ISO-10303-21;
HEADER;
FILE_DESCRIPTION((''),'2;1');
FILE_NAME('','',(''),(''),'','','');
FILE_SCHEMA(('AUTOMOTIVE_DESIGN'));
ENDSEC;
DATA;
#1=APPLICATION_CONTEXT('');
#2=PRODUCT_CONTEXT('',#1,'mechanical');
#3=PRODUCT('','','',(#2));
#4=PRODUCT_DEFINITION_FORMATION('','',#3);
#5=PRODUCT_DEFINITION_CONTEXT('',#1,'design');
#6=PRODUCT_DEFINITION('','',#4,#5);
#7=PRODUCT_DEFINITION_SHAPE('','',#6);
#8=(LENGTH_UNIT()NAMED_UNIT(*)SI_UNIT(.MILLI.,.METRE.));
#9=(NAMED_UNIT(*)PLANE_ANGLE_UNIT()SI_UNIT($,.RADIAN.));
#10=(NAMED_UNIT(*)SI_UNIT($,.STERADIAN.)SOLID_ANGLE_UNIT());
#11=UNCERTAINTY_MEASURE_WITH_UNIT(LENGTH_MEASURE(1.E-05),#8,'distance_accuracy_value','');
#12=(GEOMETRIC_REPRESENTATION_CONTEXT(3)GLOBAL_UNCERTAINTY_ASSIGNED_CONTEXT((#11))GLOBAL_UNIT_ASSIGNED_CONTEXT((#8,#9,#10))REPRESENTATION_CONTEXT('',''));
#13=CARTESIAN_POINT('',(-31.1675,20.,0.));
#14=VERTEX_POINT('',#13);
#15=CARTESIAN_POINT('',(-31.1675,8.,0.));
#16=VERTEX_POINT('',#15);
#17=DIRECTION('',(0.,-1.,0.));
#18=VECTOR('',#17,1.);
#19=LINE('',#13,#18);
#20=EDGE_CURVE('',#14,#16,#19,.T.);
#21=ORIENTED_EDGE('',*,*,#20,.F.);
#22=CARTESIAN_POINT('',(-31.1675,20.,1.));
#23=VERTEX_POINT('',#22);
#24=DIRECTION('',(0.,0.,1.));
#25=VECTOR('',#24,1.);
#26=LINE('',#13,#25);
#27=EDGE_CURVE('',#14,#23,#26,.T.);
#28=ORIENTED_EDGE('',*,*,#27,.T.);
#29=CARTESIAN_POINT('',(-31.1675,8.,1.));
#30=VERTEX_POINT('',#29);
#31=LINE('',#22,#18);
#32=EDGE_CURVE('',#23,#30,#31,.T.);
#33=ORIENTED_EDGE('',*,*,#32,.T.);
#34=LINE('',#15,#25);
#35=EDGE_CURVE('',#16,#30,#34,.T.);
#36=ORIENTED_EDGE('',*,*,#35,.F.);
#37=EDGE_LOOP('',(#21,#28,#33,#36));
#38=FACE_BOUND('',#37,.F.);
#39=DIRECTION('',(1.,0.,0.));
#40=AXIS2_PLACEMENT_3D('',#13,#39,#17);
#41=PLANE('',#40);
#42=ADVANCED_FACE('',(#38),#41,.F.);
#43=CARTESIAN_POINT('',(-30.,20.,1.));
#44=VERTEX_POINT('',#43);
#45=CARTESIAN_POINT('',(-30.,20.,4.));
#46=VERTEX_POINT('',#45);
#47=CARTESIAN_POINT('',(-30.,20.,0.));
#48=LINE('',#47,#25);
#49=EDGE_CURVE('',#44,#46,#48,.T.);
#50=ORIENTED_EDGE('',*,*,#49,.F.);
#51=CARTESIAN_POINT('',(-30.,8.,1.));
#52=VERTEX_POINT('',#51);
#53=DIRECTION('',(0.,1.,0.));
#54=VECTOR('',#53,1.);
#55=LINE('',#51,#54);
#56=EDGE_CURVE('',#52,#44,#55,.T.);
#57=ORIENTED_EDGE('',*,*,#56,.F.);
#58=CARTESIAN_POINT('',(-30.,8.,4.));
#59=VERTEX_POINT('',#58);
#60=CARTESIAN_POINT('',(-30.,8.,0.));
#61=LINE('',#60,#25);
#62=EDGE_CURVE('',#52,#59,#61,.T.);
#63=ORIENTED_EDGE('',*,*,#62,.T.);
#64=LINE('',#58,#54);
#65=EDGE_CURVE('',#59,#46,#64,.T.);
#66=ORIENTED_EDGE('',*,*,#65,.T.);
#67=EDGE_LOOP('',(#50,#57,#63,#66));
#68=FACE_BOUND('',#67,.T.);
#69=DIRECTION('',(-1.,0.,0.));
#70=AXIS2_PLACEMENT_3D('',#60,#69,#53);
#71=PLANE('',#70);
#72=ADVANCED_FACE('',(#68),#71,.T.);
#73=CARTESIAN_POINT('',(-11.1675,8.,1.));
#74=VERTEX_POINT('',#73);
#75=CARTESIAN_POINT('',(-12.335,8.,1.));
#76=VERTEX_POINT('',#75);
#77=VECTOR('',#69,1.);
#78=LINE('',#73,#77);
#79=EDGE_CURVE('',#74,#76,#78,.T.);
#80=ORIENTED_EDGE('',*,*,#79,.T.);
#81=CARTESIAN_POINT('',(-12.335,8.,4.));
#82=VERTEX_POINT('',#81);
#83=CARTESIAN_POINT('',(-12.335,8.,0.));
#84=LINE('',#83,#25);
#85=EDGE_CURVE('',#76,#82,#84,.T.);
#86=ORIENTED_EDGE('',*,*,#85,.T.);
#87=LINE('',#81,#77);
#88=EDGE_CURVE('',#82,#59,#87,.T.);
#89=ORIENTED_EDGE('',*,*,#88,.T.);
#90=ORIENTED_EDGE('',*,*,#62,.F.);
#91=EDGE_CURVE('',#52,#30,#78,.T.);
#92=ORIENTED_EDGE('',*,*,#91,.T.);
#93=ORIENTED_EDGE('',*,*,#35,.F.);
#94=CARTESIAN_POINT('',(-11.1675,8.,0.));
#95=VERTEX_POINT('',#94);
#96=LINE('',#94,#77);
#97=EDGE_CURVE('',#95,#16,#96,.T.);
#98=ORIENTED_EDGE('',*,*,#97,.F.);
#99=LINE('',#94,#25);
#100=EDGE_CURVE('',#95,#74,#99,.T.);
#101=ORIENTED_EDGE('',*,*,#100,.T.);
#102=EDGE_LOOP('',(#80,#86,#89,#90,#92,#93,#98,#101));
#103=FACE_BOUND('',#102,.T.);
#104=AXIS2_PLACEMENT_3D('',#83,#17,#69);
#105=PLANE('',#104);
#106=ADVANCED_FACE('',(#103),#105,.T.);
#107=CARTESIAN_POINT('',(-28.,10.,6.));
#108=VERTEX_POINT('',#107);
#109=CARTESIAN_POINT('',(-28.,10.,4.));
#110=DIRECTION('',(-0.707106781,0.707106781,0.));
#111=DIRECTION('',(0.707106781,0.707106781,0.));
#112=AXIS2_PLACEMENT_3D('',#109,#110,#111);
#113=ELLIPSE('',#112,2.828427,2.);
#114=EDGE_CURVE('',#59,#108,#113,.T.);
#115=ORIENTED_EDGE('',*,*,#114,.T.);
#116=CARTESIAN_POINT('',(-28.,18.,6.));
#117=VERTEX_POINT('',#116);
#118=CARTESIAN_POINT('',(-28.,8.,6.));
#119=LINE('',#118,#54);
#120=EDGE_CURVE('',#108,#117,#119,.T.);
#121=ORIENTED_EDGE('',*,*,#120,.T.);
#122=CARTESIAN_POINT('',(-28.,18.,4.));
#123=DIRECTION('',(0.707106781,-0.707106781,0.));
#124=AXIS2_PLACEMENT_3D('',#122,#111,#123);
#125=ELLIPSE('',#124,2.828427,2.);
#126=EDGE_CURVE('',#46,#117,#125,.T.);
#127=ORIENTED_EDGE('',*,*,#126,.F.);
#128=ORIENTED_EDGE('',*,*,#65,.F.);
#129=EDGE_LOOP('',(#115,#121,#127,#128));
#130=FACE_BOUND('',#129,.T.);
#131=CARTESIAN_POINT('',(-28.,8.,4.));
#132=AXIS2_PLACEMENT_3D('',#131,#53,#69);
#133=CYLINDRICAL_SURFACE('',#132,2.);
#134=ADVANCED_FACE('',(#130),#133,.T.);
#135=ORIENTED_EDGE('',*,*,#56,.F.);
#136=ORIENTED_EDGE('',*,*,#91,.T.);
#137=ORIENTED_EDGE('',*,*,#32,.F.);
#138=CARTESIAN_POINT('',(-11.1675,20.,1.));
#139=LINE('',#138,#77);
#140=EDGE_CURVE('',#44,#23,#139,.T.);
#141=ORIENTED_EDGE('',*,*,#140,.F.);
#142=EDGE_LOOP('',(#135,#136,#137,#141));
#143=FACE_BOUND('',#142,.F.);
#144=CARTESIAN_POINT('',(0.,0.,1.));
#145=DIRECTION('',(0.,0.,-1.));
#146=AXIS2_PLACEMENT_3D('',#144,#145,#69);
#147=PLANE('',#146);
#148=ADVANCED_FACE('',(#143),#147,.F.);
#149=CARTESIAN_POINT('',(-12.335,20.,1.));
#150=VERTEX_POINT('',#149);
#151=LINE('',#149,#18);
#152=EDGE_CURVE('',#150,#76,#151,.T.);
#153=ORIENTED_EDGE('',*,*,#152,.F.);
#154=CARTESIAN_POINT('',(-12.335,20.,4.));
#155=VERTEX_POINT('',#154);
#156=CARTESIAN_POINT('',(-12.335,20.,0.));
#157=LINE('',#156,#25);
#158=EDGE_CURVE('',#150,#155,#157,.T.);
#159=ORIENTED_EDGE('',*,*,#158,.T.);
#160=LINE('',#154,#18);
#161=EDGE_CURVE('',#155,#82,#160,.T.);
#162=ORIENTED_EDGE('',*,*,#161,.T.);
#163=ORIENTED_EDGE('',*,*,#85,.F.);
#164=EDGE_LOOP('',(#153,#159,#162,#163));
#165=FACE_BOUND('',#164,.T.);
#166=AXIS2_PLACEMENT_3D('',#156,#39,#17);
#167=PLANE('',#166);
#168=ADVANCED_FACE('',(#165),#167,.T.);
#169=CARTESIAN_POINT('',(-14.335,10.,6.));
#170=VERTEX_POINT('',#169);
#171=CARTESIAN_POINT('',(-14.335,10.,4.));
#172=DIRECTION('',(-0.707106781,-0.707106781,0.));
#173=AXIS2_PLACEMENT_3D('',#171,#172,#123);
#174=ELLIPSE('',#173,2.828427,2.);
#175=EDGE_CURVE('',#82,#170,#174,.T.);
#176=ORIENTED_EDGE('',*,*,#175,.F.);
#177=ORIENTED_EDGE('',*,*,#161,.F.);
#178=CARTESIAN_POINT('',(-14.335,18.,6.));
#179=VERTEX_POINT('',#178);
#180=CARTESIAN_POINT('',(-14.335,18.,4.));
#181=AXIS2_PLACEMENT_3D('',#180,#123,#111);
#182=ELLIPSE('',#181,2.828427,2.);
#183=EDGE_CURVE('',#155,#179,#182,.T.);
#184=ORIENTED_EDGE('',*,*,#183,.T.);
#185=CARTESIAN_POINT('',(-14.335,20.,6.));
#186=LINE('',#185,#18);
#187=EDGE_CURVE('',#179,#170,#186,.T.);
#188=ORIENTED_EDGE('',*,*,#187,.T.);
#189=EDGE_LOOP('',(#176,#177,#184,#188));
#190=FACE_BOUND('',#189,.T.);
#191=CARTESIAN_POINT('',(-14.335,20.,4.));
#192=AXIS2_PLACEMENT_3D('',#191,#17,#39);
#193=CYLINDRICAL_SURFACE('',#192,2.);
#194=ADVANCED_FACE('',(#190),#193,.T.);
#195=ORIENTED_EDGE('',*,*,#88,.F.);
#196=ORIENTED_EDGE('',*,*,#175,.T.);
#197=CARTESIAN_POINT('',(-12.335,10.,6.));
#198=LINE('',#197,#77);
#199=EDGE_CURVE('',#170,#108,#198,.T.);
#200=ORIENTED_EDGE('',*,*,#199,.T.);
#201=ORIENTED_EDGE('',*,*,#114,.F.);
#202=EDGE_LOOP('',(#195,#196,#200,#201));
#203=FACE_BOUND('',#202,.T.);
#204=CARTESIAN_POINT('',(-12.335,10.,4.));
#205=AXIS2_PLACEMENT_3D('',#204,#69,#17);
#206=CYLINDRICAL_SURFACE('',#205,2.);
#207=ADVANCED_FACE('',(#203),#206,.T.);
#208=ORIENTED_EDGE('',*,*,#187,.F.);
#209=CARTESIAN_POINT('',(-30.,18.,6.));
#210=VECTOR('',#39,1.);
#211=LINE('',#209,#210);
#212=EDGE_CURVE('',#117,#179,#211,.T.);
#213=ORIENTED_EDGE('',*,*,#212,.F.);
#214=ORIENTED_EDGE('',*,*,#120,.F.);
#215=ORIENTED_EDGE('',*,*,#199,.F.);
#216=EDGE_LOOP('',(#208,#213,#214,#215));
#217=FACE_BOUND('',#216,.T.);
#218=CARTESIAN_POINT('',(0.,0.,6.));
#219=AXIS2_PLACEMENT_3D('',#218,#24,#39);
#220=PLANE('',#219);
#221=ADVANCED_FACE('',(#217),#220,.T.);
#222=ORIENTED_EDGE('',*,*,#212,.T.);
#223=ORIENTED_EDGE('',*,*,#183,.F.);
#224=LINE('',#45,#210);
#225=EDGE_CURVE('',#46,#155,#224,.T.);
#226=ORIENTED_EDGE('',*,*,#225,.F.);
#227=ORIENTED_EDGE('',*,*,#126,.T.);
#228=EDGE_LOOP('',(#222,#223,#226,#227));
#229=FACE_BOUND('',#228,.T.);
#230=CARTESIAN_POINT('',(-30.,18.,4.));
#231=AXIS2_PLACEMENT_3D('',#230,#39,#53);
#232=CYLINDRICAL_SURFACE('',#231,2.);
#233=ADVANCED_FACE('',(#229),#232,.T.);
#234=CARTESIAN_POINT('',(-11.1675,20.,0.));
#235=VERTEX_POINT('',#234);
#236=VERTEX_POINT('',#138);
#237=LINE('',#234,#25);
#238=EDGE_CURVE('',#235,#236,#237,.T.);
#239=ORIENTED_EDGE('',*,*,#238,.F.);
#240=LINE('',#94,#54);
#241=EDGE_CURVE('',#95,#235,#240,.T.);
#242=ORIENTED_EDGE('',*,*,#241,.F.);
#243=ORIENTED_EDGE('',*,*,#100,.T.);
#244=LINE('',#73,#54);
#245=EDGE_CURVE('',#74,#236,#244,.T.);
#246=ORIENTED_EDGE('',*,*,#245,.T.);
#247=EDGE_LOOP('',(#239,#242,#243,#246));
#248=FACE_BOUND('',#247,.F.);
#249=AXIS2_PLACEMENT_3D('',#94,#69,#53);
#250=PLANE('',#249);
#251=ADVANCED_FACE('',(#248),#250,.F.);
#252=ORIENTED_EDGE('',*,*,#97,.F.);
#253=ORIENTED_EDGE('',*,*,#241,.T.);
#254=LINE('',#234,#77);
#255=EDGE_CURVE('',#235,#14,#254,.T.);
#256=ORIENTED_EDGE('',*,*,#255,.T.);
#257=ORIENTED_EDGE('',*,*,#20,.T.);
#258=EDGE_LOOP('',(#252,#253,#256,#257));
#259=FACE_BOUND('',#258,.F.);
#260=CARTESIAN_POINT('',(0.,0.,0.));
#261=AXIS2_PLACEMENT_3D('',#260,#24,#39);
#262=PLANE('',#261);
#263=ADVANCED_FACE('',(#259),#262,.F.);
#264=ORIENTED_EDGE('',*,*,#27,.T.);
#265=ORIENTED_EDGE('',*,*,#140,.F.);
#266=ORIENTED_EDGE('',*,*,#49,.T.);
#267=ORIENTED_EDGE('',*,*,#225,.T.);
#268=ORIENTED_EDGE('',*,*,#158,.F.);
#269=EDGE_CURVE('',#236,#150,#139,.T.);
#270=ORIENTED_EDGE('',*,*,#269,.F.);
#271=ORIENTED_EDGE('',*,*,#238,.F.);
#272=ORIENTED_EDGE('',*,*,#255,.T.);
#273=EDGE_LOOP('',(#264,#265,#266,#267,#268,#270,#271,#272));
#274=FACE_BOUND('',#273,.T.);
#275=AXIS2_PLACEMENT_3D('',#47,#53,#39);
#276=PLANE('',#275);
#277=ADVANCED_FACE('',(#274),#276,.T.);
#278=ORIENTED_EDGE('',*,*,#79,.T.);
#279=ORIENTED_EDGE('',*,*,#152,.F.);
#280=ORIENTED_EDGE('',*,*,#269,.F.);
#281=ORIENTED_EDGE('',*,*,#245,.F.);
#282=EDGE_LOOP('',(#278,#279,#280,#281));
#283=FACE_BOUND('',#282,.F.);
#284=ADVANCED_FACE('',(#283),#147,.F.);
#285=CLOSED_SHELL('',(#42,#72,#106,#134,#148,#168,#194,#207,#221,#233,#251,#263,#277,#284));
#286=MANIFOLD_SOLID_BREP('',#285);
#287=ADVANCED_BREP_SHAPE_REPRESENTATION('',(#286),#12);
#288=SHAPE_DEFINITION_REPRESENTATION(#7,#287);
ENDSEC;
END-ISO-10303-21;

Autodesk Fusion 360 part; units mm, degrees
sketch "Sketch1" plane through (0, 0, 0) normal (0, 0, 1) x (1, 0, 0)
  line L0 (-30, 20) -> (-12.335, 20)
  line L1 (-12.335, 20) -> (-12.335, 8)
  line L2 (-12.335, 8) -> (-30, 8)
  line L3 (-30, 8) -> (-30, 20)
  dimension "d1" = 17.665
  dimension "d2" = 12
extrude "Extrude1" add sketch "Sketch1" along normal blind 6
fillet "Fillet1" radius 2 4 edges at (-21.1675, 20, 6) (-12.335, 14, 6) (-30, 14, 6) (-21.1675, 8, 6)
sketch "Sketch2" plane through (0, 0, 0) normal (0, 0, -1) x (-1, 0, 0)
  line L0 (12.335, 8) -> (30, 8)
  line L1 (30, 8) -> (30, 20)
  line L2 (30, 20) -> (12.335, 20)
  line L3 (12.335, 20) -> (12.335, 8)
  line L4 (11.1675, 20) -> (31.1675, 20)
  line L5 (11.1675, 8) -> (31.1675, 8)
  line L6 (31.1675, 20) -> (31.1675, 8)
  line L7 (11.1675, 8) -> (11.1675, 20)
  point P0 (21.1675, 20)
  point P1 (21.1675, 8)
  dimension "d7" = 20
extrude "Extrude2" add sketch "Sketch2" against normal blind 1 contours L3 L4 L5 L7 | L1 L4 L5 L6
